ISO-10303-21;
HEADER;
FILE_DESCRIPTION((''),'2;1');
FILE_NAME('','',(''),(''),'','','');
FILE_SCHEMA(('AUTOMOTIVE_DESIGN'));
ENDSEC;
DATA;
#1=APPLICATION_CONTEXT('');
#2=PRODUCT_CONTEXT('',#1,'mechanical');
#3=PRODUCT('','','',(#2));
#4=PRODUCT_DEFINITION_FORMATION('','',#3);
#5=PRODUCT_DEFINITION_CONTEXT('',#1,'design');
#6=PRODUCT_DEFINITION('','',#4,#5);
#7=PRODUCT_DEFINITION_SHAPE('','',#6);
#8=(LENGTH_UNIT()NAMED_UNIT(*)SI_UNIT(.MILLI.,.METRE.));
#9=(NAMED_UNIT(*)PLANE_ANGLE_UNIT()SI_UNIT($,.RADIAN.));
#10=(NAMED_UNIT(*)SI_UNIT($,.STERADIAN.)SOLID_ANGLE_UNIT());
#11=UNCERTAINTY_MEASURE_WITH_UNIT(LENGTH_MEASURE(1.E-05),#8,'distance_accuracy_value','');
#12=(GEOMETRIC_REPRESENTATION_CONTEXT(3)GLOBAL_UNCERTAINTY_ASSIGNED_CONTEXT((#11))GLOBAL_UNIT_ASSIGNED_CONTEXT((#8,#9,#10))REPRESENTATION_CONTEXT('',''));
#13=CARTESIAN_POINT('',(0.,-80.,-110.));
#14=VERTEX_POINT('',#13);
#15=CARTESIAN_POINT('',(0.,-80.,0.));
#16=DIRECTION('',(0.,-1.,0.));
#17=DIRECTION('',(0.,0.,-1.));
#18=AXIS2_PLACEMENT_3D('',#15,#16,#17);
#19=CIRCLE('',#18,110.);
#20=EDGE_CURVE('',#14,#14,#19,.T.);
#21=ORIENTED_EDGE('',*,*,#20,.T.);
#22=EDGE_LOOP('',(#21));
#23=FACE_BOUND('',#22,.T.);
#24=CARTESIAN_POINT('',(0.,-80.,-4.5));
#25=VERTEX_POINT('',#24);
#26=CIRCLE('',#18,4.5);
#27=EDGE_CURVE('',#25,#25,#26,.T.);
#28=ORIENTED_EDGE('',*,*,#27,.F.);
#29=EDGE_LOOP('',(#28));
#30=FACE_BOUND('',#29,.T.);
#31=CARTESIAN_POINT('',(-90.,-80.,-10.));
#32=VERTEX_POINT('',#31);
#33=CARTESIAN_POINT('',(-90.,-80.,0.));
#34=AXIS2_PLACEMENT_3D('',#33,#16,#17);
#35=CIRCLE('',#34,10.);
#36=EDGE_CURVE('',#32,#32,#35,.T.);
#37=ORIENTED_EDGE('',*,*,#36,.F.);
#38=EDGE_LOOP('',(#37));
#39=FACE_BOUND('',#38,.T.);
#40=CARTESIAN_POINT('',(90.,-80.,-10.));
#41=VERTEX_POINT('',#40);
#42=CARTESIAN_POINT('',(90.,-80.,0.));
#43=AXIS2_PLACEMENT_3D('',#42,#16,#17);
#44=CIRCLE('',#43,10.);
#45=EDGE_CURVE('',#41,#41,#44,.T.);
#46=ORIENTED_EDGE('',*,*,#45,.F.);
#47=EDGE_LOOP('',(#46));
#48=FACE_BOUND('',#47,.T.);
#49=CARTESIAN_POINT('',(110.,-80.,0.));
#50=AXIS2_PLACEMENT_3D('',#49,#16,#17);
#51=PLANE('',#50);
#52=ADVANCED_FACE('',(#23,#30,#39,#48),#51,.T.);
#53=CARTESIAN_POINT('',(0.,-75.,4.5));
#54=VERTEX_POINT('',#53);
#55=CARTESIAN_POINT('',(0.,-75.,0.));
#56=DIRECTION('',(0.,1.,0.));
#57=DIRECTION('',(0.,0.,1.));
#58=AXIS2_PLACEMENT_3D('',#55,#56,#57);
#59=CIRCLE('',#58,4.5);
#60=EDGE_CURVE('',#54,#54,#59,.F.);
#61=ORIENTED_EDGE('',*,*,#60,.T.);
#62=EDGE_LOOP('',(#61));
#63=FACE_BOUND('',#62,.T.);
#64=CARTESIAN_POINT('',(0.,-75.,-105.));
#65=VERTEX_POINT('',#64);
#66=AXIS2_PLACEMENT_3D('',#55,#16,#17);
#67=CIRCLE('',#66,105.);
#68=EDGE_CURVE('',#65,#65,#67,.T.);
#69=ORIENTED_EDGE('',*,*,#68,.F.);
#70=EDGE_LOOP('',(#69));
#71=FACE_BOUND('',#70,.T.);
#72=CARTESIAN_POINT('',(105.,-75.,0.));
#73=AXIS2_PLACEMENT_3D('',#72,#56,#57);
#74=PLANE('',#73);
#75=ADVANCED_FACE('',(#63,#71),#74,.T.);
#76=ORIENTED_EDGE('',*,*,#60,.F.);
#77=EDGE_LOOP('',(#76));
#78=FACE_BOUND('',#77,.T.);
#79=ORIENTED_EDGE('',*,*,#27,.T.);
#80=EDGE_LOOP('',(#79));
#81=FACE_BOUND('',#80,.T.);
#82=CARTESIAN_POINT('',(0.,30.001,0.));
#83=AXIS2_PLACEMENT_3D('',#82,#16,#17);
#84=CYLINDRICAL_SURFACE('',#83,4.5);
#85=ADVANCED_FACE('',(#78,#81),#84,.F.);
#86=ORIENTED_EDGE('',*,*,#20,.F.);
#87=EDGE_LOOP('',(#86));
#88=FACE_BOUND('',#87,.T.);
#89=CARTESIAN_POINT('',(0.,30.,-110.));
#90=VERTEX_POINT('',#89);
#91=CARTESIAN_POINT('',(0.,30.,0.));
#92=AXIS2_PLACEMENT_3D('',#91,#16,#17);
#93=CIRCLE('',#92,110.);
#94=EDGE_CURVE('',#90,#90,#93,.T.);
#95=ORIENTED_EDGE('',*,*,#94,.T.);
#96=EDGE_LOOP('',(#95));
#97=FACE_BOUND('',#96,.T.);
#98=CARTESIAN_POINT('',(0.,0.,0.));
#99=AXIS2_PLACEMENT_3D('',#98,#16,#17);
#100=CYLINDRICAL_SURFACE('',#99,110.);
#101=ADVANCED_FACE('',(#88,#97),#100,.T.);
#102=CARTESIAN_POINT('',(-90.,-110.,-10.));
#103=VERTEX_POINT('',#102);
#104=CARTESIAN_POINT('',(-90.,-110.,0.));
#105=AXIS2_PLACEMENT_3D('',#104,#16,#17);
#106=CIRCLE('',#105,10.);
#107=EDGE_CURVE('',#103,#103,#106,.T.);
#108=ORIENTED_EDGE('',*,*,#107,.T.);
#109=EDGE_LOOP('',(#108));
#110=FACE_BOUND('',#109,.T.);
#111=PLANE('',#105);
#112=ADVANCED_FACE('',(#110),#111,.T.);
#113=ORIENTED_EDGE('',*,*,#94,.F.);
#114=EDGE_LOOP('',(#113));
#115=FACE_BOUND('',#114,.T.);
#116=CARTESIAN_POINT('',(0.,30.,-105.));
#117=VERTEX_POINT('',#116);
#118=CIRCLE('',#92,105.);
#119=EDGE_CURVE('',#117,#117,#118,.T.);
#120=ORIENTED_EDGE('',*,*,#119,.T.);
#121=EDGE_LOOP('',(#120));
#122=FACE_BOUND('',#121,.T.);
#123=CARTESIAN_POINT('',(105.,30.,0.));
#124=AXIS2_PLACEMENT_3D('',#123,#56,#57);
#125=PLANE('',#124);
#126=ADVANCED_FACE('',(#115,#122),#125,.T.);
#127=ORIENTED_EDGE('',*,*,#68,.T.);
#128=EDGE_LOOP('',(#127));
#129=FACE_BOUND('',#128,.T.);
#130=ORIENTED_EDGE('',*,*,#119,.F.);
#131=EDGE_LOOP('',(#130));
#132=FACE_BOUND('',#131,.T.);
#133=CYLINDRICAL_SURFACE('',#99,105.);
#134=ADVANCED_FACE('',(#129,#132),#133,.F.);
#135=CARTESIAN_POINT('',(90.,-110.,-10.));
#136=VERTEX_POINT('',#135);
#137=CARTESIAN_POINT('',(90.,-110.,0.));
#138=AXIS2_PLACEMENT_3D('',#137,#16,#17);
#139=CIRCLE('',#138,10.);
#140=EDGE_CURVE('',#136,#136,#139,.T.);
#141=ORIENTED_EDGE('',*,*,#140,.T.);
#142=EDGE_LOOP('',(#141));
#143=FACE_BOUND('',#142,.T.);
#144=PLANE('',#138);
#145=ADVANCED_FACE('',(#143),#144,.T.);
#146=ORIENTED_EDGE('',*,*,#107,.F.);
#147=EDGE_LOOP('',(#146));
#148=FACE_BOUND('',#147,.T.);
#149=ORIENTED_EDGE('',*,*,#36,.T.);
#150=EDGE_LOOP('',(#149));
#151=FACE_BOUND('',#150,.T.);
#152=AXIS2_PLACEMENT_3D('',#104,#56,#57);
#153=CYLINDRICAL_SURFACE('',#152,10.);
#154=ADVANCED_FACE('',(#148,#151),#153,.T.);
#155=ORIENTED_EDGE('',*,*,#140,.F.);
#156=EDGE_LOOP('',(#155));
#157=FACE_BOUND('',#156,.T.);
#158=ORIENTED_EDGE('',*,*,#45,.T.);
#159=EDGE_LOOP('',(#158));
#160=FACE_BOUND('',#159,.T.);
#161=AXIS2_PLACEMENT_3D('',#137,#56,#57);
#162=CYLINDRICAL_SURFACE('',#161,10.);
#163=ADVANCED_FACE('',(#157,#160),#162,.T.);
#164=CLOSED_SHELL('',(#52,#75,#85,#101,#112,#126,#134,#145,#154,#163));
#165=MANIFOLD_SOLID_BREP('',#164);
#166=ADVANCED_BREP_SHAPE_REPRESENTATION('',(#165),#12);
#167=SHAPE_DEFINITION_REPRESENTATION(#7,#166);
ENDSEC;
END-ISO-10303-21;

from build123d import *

# Parameters (mm, degrees)
CUT_EXTRUDE2_REACH  = 192.526
MOTOR_HOLE_R        = 4.5
STABLIZING_POLES_R  = 10
BOSS_EXTRUDE1_DEPTH = 30


with BuildPart() as part:
    # Compartment → Revolve1 (revolve)
    with BuildSketch(Plane.XY, mode=Mode.PRIVATE) as revolve1_sk:
        Polygon((110, -80), (0, -80), (0, -75), (105, -75), (105, 30), (110, 30), align=None)
    revolve(revolve1_sk.sketch.rotate(Axis((0, 0, 0), (0, 1, 0)), 90), axis=Axis((0, 0, 0), (0, 1, 0)))

    # Motor Hole → Cut-Extrude2 (cut, up to next)
    with BuildSketch(Plane.XZ.offset(80), mode=Mode.PRIVATE) as cut_extrude2_sk1:
        with Locations(Location((0, 0, 0), (0, 0, 270))):
            Circle(MOTOR_HOLE_R)
    cut_extrude2_tool1 = extrude(cut_extrude2_sk1.sketch, amount=-CUT_EXTRUDE2_REACH, mode=Mode.PRIVATE) & part.part
    add(cut_extrude2_tool1.solids().sort_by_distance((0, -80, 0))[0], mode=Mode.SUBTRACT)

    # Stablizing poles → Boss-Extrude1 (add)
    with BuildSketch(Plane.XZ.offset(80)):
        with Locations(Location((-90, 0, 0), (0, 0, 270))):
            Circle(STABLIZING_POLES_R)
        with Locations(Location((90, 0, 0), (0, 0, 270))):
            Circle(STABLIZING_POLES_R)
    extrude(amount=BOSS_EXTRUDE1_DEPTH)


solid = part.part
